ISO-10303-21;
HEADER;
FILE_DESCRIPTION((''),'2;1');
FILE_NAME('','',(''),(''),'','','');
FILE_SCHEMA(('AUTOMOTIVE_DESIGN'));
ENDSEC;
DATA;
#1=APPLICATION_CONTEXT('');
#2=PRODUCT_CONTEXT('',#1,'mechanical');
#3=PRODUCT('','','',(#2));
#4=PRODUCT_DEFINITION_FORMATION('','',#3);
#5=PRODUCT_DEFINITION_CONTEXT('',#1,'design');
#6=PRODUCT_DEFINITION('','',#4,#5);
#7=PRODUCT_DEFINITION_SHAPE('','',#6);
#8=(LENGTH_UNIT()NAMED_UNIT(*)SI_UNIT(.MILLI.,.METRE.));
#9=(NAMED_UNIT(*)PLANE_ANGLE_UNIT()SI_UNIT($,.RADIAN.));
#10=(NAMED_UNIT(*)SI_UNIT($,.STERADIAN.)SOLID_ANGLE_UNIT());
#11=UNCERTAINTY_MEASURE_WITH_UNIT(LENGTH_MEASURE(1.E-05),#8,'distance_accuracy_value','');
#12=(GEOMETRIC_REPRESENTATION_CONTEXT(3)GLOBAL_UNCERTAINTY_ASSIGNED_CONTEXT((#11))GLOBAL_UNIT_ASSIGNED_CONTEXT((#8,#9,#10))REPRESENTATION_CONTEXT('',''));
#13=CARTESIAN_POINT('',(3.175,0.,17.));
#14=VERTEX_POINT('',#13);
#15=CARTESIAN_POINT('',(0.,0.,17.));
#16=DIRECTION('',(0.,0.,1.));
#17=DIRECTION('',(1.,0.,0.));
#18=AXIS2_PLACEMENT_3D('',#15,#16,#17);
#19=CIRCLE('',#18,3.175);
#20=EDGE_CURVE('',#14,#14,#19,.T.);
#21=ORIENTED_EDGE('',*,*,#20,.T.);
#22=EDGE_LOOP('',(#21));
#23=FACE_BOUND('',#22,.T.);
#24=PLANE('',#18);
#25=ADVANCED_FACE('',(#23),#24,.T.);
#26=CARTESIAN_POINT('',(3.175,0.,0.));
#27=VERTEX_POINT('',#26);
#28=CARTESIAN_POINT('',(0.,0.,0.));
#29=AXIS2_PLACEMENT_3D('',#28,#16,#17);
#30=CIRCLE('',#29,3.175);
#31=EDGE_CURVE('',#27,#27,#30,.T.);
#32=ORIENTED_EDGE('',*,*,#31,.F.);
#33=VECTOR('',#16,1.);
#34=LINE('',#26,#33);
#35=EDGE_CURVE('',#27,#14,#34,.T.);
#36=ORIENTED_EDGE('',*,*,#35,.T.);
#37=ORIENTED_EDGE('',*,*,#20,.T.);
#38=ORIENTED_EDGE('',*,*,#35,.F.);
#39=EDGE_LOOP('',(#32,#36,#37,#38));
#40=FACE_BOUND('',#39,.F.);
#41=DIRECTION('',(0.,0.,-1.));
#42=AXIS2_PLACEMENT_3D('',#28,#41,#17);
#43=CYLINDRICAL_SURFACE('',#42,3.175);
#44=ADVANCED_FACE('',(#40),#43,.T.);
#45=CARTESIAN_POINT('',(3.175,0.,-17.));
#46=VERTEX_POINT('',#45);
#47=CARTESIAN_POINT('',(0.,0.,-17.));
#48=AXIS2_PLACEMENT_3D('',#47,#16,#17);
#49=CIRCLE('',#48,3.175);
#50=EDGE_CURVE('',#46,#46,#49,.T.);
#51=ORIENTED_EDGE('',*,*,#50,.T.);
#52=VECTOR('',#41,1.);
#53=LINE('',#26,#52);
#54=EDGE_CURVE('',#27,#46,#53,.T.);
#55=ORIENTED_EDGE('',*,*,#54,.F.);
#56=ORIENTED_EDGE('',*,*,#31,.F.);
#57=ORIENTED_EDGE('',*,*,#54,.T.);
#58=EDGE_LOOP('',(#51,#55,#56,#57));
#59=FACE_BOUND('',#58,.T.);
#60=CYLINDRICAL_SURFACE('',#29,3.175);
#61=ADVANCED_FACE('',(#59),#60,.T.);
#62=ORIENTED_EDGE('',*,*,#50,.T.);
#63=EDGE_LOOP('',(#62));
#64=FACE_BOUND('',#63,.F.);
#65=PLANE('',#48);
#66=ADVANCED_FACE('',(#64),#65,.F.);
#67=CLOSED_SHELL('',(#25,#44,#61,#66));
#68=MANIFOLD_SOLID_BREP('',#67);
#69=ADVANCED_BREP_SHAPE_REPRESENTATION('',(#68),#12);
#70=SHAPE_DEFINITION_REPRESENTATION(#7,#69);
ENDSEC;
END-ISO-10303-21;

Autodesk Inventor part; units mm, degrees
ref_plane "YZ Plane" through (0, 0, 0) normal (1, 0, 0) x (0, 1, 0)
ref_plane "XZ Plane" through (0, 0, 0) normal (0, 1, 0) x (-1, 0, 0)
ref_plane "XY Plane" through (0, 0, 0) normal (0, 0, 1) x (1, 0, 0)
sketch "Sketch1" plane through (0, 0, 0) normal (0, 0, 1) x (1, 0, 0)
  circle A0 centre (0, 0) radius 3.175
  dimension "d0" = 6.35
extrude "Extrusion1" add sketch "Sketch1" along normal mid plane 34
properties part number "CH-1-01-motorShaft" material "Steel, Alloy"
